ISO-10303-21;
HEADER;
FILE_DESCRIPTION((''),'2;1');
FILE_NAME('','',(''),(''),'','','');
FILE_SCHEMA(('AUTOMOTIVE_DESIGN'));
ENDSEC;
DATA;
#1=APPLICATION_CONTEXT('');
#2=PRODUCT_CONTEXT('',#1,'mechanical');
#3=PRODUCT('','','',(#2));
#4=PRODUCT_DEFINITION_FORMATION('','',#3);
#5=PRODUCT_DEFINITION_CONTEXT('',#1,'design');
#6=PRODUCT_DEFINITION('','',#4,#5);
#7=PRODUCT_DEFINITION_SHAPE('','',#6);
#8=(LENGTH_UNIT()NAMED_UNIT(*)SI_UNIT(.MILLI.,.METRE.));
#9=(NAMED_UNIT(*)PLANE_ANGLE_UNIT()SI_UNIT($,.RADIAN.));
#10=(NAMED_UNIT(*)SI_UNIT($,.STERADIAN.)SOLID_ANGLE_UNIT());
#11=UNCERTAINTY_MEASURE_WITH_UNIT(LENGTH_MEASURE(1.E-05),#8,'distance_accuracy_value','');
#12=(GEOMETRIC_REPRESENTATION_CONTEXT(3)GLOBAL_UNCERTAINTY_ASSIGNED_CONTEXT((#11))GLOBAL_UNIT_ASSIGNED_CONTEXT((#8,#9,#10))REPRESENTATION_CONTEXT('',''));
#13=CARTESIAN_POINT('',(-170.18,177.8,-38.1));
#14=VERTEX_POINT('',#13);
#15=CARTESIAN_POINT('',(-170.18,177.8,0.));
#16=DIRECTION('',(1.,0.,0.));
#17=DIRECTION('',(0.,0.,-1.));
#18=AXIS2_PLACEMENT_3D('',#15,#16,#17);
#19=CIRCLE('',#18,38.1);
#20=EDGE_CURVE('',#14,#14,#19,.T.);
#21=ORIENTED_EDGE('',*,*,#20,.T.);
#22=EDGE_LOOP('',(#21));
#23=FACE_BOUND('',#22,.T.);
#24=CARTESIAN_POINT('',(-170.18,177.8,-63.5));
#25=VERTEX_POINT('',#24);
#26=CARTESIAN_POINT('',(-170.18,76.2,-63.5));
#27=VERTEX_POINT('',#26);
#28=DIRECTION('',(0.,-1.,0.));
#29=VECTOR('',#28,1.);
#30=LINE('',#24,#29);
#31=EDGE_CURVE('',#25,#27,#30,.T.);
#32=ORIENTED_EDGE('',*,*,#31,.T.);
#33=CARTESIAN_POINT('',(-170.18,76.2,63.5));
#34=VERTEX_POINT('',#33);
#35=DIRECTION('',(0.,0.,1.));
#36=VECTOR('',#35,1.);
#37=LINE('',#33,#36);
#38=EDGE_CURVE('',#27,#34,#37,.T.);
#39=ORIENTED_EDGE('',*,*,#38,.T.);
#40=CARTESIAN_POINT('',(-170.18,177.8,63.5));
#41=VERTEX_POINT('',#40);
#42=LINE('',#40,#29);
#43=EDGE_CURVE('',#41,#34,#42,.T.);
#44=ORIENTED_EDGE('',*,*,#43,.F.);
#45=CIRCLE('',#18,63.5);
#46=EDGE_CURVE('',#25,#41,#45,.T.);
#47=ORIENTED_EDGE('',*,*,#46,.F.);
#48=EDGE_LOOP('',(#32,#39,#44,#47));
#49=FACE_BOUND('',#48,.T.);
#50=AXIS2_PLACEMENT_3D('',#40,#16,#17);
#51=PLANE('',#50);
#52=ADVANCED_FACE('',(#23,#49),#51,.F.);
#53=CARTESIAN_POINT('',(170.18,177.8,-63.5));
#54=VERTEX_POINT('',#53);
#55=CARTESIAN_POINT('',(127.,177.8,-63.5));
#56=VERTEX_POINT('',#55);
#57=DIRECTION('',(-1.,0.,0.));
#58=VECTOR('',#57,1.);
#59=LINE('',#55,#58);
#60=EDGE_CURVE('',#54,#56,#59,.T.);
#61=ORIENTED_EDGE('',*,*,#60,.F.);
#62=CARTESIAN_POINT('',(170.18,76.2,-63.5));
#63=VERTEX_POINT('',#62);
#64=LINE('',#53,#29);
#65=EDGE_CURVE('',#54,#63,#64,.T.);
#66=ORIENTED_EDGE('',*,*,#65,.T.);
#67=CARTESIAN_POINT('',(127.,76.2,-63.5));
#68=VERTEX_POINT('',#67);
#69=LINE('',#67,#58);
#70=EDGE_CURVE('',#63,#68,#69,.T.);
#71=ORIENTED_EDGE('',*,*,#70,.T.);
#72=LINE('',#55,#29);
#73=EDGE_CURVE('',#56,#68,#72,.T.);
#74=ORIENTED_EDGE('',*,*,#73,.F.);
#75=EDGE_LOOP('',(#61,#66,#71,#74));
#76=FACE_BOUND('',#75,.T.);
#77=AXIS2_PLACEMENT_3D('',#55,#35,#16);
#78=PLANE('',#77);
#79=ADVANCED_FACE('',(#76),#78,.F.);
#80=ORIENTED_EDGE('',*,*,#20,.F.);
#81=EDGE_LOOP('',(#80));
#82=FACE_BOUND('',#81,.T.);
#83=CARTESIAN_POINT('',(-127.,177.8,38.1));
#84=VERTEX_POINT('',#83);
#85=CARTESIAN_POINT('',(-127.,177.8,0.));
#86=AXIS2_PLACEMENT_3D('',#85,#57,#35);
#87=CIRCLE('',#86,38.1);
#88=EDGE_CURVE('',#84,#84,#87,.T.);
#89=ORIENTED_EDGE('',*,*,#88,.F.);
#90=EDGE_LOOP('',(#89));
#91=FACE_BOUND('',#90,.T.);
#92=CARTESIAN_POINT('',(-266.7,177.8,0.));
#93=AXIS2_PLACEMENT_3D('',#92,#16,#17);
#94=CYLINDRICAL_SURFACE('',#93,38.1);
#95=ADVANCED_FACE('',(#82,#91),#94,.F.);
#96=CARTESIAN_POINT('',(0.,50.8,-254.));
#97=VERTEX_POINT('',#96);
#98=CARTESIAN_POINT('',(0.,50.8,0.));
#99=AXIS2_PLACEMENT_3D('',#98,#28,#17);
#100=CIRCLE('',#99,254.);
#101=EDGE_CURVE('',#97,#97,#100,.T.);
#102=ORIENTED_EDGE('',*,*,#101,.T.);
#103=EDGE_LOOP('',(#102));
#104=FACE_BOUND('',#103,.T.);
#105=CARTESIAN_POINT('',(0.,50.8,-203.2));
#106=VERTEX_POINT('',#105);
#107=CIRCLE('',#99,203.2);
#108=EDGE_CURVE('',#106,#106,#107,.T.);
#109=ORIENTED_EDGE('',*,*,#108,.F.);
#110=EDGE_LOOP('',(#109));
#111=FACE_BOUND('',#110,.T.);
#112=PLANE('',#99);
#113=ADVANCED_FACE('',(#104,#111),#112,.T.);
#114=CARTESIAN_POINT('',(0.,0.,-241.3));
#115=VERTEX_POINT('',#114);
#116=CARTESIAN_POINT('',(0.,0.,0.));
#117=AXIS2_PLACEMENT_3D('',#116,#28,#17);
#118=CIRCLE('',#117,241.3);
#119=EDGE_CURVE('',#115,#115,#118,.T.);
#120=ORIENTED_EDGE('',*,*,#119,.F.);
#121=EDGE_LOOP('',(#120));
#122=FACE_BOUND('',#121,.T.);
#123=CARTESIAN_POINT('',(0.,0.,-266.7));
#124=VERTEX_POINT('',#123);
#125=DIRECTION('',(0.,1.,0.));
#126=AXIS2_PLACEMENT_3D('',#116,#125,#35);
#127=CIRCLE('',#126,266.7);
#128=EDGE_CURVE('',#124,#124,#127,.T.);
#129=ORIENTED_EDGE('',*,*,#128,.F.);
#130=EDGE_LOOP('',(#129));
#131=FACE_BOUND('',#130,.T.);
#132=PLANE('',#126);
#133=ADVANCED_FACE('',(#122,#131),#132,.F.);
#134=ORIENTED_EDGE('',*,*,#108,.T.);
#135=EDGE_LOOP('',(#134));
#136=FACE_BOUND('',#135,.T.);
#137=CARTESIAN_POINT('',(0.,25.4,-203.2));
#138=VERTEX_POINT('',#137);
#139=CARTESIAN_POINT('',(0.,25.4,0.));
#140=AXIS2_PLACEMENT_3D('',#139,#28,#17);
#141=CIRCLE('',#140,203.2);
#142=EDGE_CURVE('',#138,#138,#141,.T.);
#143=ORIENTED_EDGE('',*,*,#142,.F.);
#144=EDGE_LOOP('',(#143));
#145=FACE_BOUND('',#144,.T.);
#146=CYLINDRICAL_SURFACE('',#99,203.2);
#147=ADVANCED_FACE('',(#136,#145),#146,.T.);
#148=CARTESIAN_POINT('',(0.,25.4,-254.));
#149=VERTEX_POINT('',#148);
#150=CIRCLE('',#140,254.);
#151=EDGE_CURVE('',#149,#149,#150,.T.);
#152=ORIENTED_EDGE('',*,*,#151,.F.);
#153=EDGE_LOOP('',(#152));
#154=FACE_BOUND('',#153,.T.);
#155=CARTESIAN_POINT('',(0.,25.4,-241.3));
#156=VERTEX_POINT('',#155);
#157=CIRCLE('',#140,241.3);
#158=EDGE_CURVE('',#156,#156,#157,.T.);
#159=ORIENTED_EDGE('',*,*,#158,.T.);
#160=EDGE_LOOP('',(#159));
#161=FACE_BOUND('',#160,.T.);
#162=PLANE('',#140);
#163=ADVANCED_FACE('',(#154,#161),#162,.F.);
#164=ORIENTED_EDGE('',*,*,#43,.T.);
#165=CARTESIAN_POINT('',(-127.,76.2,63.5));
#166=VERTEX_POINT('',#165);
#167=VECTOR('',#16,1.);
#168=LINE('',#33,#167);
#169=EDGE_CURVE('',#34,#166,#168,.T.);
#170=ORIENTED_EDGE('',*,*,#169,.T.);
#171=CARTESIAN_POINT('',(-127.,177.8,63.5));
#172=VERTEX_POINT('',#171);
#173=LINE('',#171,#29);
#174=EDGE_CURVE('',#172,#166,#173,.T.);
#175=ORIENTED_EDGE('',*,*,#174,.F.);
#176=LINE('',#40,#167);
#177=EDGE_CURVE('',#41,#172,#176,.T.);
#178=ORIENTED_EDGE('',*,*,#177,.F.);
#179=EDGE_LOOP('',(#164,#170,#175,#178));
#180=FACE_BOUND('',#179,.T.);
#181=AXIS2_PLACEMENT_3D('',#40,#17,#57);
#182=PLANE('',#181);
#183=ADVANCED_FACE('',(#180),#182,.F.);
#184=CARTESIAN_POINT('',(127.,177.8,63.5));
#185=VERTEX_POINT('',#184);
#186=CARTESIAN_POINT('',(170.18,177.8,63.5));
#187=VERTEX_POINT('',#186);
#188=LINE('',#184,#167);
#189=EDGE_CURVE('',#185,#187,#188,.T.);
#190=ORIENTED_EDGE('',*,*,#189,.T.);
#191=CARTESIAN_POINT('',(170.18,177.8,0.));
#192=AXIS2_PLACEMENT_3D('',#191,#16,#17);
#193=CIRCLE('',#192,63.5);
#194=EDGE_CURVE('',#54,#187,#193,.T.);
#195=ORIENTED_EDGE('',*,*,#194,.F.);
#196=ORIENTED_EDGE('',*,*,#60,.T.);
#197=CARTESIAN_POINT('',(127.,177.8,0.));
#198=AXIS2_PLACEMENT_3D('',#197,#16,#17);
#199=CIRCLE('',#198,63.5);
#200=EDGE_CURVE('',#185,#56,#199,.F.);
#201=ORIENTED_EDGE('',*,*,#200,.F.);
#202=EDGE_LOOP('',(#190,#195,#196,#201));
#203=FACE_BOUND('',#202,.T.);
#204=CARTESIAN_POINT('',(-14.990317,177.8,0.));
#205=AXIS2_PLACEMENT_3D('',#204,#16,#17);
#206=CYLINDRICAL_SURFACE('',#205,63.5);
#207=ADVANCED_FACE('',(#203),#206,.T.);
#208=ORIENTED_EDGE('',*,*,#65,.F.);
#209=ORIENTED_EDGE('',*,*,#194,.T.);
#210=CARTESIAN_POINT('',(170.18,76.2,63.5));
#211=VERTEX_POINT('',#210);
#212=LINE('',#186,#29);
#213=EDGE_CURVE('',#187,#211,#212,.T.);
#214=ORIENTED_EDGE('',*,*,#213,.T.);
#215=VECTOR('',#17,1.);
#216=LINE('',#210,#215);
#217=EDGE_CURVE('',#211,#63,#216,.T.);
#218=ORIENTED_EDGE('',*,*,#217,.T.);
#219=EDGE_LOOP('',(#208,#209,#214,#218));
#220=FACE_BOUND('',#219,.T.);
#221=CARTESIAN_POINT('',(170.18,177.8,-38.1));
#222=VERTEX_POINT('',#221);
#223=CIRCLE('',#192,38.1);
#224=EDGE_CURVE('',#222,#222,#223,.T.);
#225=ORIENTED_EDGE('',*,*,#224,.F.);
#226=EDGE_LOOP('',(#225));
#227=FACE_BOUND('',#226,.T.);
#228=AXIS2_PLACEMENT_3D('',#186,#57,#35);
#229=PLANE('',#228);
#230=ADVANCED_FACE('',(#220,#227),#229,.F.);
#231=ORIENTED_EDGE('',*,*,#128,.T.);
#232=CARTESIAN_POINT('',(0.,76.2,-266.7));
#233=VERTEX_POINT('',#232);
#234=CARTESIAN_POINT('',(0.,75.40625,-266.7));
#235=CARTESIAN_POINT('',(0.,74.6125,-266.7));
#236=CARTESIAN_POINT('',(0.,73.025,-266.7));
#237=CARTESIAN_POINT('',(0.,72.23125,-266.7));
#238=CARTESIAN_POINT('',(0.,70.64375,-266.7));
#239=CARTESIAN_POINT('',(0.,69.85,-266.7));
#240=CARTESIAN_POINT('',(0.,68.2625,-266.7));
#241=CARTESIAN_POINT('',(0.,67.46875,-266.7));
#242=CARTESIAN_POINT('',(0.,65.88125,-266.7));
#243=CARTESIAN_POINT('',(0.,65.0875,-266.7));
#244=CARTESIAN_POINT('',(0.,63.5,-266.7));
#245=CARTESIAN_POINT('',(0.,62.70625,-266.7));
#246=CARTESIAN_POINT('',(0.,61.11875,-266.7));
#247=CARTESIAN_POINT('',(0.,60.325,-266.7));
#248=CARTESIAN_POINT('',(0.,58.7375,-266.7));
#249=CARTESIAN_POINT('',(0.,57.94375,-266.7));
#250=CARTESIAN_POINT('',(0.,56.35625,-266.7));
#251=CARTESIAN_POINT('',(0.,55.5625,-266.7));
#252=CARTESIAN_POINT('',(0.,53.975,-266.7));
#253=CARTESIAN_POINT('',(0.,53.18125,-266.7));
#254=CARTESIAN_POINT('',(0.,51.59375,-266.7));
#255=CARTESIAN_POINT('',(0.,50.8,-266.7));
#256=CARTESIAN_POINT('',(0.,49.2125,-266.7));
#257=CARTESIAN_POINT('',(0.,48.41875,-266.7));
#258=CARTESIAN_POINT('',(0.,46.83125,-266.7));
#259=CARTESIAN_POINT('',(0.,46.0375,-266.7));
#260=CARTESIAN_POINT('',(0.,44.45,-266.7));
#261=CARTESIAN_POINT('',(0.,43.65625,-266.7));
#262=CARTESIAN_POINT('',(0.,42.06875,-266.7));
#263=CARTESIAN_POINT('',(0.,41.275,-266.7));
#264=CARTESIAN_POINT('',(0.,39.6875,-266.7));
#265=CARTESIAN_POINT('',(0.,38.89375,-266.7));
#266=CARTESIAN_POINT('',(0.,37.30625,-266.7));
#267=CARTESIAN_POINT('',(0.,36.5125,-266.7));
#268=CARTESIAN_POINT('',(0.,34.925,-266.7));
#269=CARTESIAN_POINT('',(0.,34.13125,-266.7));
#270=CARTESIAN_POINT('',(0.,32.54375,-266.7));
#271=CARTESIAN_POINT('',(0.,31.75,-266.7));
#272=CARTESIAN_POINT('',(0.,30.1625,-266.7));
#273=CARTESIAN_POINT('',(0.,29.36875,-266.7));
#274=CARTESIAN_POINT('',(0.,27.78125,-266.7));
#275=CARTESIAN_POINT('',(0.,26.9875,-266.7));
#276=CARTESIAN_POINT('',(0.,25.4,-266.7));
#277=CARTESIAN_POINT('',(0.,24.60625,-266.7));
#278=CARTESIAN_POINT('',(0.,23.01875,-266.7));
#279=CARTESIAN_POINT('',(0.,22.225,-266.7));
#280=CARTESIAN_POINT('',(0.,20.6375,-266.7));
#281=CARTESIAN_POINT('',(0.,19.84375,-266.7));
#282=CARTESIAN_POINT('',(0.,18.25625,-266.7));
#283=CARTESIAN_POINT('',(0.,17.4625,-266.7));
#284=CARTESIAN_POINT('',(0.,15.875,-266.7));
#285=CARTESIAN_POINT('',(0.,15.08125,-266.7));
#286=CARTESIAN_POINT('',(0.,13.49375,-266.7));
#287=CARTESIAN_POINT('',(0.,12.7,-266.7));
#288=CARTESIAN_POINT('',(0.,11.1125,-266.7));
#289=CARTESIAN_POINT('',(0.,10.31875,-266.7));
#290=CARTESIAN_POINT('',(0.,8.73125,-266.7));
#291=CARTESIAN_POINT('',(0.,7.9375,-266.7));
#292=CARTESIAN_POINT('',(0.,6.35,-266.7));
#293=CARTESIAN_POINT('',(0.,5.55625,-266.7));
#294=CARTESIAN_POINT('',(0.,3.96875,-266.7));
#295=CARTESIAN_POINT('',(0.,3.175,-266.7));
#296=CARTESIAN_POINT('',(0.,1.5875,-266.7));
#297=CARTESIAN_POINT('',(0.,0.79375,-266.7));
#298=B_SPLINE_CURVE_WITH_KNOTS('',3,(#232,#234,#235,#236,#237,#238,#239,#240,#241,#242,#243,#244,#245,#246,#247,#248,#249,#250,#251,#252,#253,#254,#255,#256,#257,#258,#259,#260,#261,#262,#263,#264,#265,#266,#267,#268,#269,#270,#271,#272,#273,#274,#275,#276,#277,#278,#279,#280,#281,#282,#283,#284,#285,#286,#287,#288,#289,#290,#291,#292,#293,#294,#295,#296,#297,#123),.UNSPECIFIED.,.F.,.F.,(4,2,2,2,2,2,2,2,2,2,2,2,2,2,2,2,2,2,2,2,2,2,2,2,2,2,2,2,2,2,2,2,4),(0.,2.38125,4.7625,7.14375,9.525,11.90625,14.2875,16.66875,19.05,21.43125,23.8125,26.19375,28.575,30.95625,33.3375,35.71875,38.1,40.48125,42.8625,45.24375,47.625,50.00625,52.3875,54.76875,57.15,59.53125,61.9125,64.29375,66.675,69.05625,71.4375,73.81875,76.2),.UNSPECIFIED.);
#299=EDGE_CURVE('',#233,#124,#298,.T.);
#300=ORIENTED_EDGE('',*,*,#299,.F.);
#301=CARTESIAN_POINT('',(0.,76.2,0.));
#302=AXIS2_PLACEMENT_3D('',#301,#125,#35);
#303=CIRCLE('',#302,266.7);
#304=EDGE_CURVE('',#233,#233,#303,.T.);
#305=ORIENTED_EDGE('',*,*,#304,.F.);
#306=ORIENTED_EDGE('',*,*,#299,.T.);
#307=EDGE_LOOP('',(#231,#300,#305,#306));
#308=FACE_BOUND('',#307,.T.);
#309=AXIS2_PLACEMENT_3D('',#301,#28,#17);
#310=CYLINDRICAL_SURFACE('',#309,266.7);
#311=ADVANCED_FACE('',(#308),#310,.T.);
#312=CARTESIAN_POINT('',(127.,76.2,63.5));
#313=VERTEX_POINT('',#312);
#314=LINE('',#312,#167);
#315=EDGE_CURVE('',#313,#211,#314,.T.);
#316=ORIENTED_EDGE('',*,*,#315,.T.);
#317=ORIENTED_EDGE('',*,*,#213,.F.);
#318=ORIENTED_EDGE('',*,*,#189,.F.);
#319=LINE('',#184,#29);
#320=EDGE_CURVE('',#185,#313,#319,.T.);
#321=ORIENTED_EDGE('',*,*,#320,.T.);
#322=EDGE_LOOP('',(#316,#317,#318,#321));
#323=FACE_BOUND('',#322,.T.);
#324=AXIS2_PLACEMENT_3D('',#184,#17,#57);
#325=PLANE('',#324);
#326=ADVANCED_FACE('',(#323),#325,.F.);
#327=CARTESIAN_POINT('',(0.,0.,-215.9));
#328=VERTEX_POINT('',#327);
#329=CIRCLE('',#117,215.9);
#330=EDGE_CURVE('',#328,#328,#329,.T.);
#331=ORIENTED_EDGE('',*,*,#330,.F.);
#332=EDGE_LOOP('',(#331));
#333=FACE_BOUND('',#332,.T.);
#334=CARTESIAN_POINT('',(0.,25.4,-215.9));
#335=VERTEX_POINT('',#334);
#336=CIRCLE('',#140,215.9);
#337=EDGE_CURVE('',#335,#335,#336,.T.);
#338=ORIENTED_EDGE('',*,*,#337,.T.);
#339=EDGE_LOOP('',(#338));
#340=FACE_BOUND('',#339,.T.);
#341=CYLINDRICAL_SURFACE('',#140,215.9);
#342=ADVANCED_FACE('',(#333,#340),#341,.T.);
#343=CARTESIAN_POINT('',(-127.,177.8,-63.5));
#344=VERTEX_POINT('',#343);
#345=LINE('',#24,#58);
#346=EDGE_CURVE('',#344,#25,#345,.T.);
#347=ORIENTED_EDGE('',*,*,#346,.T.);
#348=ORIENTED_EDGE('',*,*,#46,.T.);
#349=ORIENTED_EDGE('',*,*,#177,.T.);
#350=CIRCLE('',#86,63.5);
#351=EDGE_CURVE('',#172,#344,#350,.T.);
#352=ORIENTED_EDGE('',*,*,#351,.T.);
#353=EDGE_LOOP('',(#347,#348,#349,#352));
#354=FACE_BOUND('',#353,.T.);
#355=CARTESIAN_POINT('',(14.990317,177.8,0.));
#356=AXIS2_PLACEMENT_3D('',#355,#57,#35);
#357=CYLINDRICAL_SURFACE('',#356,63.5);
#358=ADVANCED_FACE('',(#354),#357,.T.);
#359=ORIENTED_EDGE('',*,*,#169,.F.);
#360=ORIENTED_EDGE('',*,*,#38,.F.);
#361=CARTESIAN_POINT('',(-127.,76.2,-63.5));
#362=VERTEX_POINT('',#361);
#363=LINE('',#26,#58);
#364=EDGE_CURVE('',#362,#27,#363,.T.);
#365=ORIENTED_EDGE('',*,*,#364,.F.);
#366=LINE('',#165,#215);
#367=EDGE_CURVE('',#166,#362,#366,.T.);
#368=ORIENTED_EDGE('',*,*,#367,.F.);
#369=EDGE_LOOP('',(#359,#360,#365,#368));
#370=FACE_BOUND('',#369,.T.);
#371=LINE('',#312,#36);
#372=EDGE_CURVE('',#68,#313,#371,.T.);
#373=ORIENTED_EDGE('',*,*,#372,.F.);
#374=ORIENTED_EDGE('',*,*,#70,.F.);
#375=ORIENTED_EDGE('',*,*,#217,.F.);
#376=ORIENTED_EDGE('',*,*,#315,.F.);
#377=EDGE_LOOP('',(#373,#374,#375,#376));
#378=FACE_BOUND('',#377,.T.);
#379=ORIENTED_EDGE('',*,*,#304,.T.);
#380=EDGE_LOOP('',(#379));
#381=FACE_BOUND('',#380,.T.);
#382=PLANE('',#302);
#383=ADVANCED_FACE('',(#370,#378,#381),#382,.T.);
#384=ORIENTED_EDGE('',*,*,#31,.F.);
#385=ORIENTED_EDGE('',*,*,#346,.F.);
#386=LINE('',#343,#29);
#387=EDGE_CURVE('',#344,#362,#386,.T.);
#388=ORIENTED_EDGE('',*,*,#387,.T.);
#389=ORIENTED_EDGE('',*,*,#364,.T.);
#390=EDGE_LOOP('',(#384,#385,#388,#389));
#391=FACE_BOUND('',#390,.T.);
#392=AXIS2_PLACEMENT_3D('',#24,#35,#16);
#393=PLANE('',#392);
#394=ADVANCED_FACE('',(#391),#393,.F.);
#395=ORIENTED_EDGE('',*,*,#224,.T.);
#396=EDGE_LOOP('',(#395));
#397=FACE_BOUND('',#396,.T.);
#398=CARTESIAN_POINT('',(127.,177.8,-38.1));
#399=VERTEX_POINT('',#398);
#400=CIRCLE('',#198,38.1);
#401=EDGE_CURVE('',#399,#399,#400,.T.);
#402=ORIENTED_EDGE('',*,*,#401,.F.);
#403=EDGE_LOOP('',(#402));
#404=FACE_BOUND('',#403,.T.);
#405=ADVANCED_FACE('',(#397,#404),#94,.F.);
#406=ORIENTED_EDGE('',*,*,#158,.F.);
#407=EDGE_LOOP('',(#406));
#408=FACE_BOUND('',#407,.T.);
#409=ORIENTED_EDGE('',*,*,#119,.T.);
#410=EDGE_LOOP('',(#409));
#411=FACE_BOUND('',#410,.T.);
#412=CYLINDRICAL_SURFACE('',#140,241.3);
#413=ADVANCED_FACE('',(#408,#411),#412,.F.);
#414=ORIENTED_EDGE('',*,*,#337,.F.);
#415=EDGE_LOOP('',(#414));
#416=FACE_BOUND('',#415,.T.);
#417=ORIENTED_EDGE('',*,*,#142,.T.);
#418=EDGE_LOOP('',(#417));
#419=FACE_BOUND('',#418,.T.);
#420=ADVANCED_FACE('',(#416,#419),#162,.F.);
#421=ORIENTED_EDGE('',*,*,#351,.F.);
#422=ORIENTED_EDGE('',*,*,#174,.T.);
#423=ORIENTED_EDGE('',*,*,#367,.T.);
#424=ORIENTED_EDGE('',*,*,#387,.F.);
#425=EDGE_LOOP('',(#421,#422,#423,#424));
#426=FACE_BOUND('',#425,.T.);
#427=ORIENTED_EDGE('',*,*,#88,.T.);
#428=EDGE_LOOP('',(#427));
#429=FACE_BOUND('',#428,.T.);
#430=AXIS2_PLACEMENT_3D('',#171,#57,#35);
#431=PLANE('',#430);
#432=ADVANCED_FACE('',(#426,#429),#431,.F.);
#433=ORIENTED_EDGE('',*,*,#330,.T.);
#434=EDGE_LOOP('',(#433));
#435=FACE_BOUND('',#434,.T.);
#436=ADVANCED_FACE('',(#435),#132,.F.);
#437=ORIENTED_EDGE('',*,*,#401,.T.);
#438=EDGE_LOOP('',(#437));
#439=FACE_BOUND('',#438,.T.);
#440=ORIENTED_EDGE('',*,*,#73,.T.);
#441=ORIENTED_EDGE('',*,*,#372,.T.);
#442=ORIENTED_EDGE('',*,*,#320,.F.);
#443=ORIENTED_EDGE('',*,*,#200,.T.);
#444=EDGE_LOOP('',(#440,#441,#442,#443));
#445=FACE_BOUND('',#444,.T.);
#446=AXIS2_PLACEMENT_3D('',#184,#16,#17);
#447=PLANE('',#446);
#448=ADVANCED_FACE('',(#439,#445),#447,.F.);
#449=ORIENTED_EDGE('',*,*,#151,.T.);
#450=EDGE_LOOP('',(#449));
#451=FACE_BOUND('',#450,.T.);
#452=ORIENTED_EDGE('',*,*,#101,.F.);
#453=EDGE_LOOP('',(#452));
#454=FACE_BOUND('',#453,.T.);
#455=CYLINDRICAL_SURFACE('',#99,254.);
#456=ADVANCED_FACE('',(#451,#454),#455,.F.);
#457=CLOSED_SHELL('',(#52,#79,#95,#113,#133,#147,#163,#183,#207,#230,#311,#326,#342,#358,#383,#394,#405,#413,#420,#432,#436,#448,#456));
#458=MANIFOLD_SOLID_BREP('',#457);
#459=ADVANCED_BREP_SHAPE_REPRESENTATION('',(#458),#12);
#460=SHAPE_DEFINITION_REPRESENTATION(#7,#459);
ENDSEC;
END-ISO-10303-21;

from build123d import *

# Parameters (mm, degrees)
SKETCH3_R           = 266.7
BOSS_EXTRUDE1_DEPTH = 76.2
SKETCH4_R           = 241.3
SKETCH4_R_2         = 215.9
CUT_EXTRUDE1_DEPTH  = 25.4
SKETCH5_R           = 254
SKETCH5_R_2         = 203.2
CUT_EXTRUDE2_DEPTH  = 25.4
SKETCH6_W           = 43.18
SKETCH6_H           = 127
BOSS_EXTRUDE2_DEPTH = 101.6
BOSS_EXTRUDE3_START = -43.18
BOSS_EXTRUDE3_DEPTH = 43.18
BOSS_EXTRUDE4_DEPTH = 43.18
SKETCH7_R           = 38.1
CUT_EXTRUDE3_DEPTH  = 566.878709972


with BuildPart() as part:
    # Sketch3 → Boss-Extrude1 (new body)
    with BuildSketch(Plane(origin=(0, 0, 0), x_dir=(1, 0, 0), z_dir=(0, 1, 0))):
        with Locations(Location((0, 0, 0), (0, 0, 90))):
            Circle(SKETCH3_R)
    extrude(amount=BOSS_EXTRUDE1_DEPTH)

    # Sketch4 → Cut-Extrude1 (cut)
    with BuildSketch(Plane.XZ):
        with Locations(Location((0, 0, 0), (0, 0, 270))):
            Circle(SKETCH4_R)
        with Locations(Location((0, 0, 0), (0, 0, 270))):
            Circle(SKETCH4_R_2, mode=Mode.SUBTRACT)
    extrude(amount=-CUT_EXTRUDE1_DEPTH, mode=Mode.SUBTRACT)

    # Sketch5 → Cut-Extrude2 (cut)
    with BuildSketch(Plane.XZ.offset(-25.4)):
        with Locations(Location((0, 0, 0), (0, 0, 270))):
            Circle(SKETCH5_R)
        with Locations(Location((0, 0, 0), (0, 0, 270))):
            Circle(SKETCH5_R_2, mode=Mode.SUBTRACT)
    extrude(amount=-CUT_EXTRUDE2_DEPTH, mode=Mode.SUBTRACT)

    # Sketch6 → Boss-Extrude2 (add)
    with BuildSketch(Plane(origin=(0, 76.2, 0), x_dir=(1, 0, 0), z_dir=(0, 1, 0))):
        with Locations((148.59, 0)):
            Rectangle(SKETCH6_W, SKETCH6_H)
        with Locations((-148.59, 0)):
            Rectangle(SKETCH6_W, SKETCH6_H)
    extrude(amount=BOSS_EXTRUDE2_DEPTH)

    # Sketch8 → Boss-Extrude3 (add)
    with BuildSketch(Plane.ZY.offset(170.18).offset(BOSS_EXTRUDE3_START)):
        with BuildLine():
            Line((-63.5, 177.8), (63.5, 177.8))
            ThreePointArc((63.5, 177.8), (0, 241.3), (-63.5, 177.8))
        make_face()
    extrude(amount=BOSS_EXTRUDE3_DEPTH)

    # Sketch10 → Boss-Extrude4 (add)
    with BuildSketch(Plane(origin=(170.18, 0, 0), x_dir=(0, 0, -1), z_dir=(1, 0, 0))):
        with BuildLine():
            Line((63.5, 177.8), (-63.5, 177.8))
            ThreePointArc((-63.5, 177.8), (0, 241.3), (63.5, 177.8))
        make_face()
    extrude(amount=-BOSS_EXTRUDE4_DEPTH)

    # Sketch7 → Cut-Extrude3 (cut, through all)
    with BuildSketch(Plane(origin=(170.18, 0, 0), x_dir=(0, 0, -1), z_dir=(1, 0, 0))):
        with Locations((0, 177.8)):
            Circle(SKETCH7_R)
    extrude(amount=-CUT_EXTRUDE3_DEPTH, mode=Mode.SUBTRACT)


solid = part.part
